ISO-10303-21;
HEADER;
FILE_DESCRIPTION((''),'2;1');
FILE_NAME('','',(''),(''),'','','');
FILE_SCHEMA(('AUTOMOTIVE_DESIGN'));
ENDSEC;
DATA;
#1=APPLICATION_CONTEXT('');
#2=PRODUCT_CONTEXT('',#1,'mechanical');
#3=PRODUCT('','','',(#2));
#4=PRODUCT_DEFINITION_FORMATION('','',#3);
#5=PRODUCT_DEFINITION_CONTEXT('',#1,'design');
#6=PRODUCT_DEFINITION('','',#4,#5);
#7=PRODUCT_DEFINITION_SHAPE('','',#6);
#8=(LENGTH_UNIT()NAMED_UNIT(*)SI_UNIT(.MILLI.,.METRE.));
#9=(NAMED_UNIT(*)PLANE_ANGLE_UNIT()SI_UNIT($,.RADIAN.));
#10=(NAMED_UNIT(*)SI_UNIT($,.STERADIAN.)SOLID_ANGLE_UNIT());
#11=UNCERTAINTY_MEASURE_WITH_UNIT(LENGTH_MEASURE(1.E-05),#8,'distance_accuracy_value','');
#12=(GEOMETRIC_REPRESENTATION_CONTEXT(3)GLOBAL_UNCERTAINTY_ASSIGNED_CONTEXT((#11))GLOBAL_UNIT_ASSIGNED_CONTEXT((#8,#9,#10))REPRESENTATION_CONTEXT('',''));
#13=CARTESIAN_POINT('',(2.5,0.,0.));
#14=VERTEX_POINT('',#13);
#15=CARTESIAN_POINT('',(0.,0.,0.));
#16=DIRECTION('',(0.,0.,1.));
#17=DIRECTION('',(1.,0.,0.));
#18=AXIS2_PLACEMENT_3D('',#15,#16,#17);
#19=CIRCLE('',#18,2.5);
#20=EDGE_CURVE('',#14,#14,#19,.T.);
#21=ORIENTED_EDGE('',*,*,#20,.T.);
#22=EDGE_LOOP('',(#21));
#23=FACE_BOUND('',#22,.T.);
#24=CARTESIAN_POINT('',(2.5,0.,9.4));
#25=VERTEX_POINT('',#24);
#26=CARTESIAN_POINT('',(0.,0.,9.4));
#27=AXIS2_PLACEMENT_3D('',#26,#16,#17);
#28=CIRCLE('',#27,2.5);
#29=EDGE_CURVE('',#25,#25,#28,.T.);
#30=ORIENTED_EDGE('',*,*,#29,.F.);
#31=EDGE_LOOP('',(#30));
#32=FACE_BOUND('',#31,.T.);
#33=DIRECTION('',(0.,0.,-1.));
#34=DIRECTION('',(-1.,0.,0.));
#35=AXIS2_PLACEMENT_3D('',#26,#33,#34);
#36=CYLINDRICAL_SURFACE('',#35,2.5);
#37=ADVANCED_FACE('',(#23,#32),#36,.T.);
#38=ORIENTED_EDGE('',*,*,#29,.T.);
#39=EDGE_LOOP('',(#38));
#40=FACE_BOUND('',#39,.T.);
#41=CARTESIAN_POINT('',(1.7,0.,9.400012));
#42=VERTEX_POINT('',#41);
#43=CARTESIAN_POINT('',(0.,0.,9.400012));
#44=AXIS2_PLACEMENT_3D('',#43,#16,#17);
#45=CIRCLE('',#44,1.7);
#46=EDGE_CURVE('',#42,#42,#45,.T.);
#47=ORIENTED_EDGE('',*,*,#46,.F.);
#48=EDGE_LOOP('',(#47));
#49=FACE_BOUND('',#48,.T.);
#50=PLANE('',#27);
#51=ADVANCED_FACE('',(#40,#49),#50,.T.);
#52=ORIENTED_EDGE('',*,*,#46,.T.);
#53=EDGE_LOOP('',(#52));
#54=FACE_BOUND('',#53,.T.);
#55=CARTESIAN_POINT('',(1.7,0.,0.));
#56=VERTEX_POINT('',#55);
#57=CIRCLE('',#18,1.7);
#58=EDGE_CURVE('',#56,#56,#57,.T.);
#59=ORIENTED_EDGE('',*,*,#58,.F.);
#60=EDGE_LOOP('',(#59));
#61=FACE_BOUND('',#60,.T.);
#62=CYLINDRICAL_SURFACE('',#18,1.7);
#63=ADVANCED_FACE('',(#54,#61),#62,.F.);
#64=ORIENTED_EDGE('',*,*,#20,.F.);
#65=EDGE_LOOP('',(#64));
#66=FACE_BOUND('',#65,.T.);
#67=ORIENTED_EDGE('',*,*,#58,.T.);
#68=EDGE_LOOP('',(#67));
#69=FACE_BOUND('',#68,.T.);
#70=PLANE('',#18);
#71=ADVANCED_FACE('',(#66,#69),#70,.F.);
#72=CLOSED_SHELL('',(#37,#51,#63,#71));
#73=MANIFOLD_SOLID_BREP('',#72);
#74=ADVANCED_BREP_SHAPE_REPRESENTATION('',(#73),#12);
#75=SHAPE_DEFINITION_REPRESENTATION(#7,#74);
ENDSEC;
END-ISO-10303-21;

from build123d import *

# Parameters (mm, degrees)
SKETCH1_R               = 2.5
BOSS_EXTRUDE1_DEPTH     = 9.4
CUT_EXTRUDE1_DEPTH      = 11.042907945
CUT_EXTRUDE1_DEPTH_BACK = 11.042907945
SKETCH2_R               = 1.7


with BuildPart() as part:
    # Sketch1 → Boss-Extrude1 (new body)
    with BuildSketch(Plane(origin=(0, 0, 0), x_dir=(0, 1, 0), z_dir=(0, 0, 1))):
        with Locations(Location((0, 0, 0), (0, 0, 270))):
            Circle(SKETCH1_R)
    extrude(amount=BOSS_EXTRUDE1_DEPTH)

    # Sketch2 → Cut-Extrude1 (cut, two sides: drawn at the far end of the back side and taken through both)
    with BuildSketch(Plane.XY.offset(9.4).offset(-CUT_EXTRUDE1_DEPTH_BACK)):
        Circle(SKETCH2_R)
    extrude(amount=CUT_EXTRUDE1_DEPTH + CUT_EXTRUDE1_DEPTH_BACK, mode=Mode.SUBTRACT)


solid = part.part
